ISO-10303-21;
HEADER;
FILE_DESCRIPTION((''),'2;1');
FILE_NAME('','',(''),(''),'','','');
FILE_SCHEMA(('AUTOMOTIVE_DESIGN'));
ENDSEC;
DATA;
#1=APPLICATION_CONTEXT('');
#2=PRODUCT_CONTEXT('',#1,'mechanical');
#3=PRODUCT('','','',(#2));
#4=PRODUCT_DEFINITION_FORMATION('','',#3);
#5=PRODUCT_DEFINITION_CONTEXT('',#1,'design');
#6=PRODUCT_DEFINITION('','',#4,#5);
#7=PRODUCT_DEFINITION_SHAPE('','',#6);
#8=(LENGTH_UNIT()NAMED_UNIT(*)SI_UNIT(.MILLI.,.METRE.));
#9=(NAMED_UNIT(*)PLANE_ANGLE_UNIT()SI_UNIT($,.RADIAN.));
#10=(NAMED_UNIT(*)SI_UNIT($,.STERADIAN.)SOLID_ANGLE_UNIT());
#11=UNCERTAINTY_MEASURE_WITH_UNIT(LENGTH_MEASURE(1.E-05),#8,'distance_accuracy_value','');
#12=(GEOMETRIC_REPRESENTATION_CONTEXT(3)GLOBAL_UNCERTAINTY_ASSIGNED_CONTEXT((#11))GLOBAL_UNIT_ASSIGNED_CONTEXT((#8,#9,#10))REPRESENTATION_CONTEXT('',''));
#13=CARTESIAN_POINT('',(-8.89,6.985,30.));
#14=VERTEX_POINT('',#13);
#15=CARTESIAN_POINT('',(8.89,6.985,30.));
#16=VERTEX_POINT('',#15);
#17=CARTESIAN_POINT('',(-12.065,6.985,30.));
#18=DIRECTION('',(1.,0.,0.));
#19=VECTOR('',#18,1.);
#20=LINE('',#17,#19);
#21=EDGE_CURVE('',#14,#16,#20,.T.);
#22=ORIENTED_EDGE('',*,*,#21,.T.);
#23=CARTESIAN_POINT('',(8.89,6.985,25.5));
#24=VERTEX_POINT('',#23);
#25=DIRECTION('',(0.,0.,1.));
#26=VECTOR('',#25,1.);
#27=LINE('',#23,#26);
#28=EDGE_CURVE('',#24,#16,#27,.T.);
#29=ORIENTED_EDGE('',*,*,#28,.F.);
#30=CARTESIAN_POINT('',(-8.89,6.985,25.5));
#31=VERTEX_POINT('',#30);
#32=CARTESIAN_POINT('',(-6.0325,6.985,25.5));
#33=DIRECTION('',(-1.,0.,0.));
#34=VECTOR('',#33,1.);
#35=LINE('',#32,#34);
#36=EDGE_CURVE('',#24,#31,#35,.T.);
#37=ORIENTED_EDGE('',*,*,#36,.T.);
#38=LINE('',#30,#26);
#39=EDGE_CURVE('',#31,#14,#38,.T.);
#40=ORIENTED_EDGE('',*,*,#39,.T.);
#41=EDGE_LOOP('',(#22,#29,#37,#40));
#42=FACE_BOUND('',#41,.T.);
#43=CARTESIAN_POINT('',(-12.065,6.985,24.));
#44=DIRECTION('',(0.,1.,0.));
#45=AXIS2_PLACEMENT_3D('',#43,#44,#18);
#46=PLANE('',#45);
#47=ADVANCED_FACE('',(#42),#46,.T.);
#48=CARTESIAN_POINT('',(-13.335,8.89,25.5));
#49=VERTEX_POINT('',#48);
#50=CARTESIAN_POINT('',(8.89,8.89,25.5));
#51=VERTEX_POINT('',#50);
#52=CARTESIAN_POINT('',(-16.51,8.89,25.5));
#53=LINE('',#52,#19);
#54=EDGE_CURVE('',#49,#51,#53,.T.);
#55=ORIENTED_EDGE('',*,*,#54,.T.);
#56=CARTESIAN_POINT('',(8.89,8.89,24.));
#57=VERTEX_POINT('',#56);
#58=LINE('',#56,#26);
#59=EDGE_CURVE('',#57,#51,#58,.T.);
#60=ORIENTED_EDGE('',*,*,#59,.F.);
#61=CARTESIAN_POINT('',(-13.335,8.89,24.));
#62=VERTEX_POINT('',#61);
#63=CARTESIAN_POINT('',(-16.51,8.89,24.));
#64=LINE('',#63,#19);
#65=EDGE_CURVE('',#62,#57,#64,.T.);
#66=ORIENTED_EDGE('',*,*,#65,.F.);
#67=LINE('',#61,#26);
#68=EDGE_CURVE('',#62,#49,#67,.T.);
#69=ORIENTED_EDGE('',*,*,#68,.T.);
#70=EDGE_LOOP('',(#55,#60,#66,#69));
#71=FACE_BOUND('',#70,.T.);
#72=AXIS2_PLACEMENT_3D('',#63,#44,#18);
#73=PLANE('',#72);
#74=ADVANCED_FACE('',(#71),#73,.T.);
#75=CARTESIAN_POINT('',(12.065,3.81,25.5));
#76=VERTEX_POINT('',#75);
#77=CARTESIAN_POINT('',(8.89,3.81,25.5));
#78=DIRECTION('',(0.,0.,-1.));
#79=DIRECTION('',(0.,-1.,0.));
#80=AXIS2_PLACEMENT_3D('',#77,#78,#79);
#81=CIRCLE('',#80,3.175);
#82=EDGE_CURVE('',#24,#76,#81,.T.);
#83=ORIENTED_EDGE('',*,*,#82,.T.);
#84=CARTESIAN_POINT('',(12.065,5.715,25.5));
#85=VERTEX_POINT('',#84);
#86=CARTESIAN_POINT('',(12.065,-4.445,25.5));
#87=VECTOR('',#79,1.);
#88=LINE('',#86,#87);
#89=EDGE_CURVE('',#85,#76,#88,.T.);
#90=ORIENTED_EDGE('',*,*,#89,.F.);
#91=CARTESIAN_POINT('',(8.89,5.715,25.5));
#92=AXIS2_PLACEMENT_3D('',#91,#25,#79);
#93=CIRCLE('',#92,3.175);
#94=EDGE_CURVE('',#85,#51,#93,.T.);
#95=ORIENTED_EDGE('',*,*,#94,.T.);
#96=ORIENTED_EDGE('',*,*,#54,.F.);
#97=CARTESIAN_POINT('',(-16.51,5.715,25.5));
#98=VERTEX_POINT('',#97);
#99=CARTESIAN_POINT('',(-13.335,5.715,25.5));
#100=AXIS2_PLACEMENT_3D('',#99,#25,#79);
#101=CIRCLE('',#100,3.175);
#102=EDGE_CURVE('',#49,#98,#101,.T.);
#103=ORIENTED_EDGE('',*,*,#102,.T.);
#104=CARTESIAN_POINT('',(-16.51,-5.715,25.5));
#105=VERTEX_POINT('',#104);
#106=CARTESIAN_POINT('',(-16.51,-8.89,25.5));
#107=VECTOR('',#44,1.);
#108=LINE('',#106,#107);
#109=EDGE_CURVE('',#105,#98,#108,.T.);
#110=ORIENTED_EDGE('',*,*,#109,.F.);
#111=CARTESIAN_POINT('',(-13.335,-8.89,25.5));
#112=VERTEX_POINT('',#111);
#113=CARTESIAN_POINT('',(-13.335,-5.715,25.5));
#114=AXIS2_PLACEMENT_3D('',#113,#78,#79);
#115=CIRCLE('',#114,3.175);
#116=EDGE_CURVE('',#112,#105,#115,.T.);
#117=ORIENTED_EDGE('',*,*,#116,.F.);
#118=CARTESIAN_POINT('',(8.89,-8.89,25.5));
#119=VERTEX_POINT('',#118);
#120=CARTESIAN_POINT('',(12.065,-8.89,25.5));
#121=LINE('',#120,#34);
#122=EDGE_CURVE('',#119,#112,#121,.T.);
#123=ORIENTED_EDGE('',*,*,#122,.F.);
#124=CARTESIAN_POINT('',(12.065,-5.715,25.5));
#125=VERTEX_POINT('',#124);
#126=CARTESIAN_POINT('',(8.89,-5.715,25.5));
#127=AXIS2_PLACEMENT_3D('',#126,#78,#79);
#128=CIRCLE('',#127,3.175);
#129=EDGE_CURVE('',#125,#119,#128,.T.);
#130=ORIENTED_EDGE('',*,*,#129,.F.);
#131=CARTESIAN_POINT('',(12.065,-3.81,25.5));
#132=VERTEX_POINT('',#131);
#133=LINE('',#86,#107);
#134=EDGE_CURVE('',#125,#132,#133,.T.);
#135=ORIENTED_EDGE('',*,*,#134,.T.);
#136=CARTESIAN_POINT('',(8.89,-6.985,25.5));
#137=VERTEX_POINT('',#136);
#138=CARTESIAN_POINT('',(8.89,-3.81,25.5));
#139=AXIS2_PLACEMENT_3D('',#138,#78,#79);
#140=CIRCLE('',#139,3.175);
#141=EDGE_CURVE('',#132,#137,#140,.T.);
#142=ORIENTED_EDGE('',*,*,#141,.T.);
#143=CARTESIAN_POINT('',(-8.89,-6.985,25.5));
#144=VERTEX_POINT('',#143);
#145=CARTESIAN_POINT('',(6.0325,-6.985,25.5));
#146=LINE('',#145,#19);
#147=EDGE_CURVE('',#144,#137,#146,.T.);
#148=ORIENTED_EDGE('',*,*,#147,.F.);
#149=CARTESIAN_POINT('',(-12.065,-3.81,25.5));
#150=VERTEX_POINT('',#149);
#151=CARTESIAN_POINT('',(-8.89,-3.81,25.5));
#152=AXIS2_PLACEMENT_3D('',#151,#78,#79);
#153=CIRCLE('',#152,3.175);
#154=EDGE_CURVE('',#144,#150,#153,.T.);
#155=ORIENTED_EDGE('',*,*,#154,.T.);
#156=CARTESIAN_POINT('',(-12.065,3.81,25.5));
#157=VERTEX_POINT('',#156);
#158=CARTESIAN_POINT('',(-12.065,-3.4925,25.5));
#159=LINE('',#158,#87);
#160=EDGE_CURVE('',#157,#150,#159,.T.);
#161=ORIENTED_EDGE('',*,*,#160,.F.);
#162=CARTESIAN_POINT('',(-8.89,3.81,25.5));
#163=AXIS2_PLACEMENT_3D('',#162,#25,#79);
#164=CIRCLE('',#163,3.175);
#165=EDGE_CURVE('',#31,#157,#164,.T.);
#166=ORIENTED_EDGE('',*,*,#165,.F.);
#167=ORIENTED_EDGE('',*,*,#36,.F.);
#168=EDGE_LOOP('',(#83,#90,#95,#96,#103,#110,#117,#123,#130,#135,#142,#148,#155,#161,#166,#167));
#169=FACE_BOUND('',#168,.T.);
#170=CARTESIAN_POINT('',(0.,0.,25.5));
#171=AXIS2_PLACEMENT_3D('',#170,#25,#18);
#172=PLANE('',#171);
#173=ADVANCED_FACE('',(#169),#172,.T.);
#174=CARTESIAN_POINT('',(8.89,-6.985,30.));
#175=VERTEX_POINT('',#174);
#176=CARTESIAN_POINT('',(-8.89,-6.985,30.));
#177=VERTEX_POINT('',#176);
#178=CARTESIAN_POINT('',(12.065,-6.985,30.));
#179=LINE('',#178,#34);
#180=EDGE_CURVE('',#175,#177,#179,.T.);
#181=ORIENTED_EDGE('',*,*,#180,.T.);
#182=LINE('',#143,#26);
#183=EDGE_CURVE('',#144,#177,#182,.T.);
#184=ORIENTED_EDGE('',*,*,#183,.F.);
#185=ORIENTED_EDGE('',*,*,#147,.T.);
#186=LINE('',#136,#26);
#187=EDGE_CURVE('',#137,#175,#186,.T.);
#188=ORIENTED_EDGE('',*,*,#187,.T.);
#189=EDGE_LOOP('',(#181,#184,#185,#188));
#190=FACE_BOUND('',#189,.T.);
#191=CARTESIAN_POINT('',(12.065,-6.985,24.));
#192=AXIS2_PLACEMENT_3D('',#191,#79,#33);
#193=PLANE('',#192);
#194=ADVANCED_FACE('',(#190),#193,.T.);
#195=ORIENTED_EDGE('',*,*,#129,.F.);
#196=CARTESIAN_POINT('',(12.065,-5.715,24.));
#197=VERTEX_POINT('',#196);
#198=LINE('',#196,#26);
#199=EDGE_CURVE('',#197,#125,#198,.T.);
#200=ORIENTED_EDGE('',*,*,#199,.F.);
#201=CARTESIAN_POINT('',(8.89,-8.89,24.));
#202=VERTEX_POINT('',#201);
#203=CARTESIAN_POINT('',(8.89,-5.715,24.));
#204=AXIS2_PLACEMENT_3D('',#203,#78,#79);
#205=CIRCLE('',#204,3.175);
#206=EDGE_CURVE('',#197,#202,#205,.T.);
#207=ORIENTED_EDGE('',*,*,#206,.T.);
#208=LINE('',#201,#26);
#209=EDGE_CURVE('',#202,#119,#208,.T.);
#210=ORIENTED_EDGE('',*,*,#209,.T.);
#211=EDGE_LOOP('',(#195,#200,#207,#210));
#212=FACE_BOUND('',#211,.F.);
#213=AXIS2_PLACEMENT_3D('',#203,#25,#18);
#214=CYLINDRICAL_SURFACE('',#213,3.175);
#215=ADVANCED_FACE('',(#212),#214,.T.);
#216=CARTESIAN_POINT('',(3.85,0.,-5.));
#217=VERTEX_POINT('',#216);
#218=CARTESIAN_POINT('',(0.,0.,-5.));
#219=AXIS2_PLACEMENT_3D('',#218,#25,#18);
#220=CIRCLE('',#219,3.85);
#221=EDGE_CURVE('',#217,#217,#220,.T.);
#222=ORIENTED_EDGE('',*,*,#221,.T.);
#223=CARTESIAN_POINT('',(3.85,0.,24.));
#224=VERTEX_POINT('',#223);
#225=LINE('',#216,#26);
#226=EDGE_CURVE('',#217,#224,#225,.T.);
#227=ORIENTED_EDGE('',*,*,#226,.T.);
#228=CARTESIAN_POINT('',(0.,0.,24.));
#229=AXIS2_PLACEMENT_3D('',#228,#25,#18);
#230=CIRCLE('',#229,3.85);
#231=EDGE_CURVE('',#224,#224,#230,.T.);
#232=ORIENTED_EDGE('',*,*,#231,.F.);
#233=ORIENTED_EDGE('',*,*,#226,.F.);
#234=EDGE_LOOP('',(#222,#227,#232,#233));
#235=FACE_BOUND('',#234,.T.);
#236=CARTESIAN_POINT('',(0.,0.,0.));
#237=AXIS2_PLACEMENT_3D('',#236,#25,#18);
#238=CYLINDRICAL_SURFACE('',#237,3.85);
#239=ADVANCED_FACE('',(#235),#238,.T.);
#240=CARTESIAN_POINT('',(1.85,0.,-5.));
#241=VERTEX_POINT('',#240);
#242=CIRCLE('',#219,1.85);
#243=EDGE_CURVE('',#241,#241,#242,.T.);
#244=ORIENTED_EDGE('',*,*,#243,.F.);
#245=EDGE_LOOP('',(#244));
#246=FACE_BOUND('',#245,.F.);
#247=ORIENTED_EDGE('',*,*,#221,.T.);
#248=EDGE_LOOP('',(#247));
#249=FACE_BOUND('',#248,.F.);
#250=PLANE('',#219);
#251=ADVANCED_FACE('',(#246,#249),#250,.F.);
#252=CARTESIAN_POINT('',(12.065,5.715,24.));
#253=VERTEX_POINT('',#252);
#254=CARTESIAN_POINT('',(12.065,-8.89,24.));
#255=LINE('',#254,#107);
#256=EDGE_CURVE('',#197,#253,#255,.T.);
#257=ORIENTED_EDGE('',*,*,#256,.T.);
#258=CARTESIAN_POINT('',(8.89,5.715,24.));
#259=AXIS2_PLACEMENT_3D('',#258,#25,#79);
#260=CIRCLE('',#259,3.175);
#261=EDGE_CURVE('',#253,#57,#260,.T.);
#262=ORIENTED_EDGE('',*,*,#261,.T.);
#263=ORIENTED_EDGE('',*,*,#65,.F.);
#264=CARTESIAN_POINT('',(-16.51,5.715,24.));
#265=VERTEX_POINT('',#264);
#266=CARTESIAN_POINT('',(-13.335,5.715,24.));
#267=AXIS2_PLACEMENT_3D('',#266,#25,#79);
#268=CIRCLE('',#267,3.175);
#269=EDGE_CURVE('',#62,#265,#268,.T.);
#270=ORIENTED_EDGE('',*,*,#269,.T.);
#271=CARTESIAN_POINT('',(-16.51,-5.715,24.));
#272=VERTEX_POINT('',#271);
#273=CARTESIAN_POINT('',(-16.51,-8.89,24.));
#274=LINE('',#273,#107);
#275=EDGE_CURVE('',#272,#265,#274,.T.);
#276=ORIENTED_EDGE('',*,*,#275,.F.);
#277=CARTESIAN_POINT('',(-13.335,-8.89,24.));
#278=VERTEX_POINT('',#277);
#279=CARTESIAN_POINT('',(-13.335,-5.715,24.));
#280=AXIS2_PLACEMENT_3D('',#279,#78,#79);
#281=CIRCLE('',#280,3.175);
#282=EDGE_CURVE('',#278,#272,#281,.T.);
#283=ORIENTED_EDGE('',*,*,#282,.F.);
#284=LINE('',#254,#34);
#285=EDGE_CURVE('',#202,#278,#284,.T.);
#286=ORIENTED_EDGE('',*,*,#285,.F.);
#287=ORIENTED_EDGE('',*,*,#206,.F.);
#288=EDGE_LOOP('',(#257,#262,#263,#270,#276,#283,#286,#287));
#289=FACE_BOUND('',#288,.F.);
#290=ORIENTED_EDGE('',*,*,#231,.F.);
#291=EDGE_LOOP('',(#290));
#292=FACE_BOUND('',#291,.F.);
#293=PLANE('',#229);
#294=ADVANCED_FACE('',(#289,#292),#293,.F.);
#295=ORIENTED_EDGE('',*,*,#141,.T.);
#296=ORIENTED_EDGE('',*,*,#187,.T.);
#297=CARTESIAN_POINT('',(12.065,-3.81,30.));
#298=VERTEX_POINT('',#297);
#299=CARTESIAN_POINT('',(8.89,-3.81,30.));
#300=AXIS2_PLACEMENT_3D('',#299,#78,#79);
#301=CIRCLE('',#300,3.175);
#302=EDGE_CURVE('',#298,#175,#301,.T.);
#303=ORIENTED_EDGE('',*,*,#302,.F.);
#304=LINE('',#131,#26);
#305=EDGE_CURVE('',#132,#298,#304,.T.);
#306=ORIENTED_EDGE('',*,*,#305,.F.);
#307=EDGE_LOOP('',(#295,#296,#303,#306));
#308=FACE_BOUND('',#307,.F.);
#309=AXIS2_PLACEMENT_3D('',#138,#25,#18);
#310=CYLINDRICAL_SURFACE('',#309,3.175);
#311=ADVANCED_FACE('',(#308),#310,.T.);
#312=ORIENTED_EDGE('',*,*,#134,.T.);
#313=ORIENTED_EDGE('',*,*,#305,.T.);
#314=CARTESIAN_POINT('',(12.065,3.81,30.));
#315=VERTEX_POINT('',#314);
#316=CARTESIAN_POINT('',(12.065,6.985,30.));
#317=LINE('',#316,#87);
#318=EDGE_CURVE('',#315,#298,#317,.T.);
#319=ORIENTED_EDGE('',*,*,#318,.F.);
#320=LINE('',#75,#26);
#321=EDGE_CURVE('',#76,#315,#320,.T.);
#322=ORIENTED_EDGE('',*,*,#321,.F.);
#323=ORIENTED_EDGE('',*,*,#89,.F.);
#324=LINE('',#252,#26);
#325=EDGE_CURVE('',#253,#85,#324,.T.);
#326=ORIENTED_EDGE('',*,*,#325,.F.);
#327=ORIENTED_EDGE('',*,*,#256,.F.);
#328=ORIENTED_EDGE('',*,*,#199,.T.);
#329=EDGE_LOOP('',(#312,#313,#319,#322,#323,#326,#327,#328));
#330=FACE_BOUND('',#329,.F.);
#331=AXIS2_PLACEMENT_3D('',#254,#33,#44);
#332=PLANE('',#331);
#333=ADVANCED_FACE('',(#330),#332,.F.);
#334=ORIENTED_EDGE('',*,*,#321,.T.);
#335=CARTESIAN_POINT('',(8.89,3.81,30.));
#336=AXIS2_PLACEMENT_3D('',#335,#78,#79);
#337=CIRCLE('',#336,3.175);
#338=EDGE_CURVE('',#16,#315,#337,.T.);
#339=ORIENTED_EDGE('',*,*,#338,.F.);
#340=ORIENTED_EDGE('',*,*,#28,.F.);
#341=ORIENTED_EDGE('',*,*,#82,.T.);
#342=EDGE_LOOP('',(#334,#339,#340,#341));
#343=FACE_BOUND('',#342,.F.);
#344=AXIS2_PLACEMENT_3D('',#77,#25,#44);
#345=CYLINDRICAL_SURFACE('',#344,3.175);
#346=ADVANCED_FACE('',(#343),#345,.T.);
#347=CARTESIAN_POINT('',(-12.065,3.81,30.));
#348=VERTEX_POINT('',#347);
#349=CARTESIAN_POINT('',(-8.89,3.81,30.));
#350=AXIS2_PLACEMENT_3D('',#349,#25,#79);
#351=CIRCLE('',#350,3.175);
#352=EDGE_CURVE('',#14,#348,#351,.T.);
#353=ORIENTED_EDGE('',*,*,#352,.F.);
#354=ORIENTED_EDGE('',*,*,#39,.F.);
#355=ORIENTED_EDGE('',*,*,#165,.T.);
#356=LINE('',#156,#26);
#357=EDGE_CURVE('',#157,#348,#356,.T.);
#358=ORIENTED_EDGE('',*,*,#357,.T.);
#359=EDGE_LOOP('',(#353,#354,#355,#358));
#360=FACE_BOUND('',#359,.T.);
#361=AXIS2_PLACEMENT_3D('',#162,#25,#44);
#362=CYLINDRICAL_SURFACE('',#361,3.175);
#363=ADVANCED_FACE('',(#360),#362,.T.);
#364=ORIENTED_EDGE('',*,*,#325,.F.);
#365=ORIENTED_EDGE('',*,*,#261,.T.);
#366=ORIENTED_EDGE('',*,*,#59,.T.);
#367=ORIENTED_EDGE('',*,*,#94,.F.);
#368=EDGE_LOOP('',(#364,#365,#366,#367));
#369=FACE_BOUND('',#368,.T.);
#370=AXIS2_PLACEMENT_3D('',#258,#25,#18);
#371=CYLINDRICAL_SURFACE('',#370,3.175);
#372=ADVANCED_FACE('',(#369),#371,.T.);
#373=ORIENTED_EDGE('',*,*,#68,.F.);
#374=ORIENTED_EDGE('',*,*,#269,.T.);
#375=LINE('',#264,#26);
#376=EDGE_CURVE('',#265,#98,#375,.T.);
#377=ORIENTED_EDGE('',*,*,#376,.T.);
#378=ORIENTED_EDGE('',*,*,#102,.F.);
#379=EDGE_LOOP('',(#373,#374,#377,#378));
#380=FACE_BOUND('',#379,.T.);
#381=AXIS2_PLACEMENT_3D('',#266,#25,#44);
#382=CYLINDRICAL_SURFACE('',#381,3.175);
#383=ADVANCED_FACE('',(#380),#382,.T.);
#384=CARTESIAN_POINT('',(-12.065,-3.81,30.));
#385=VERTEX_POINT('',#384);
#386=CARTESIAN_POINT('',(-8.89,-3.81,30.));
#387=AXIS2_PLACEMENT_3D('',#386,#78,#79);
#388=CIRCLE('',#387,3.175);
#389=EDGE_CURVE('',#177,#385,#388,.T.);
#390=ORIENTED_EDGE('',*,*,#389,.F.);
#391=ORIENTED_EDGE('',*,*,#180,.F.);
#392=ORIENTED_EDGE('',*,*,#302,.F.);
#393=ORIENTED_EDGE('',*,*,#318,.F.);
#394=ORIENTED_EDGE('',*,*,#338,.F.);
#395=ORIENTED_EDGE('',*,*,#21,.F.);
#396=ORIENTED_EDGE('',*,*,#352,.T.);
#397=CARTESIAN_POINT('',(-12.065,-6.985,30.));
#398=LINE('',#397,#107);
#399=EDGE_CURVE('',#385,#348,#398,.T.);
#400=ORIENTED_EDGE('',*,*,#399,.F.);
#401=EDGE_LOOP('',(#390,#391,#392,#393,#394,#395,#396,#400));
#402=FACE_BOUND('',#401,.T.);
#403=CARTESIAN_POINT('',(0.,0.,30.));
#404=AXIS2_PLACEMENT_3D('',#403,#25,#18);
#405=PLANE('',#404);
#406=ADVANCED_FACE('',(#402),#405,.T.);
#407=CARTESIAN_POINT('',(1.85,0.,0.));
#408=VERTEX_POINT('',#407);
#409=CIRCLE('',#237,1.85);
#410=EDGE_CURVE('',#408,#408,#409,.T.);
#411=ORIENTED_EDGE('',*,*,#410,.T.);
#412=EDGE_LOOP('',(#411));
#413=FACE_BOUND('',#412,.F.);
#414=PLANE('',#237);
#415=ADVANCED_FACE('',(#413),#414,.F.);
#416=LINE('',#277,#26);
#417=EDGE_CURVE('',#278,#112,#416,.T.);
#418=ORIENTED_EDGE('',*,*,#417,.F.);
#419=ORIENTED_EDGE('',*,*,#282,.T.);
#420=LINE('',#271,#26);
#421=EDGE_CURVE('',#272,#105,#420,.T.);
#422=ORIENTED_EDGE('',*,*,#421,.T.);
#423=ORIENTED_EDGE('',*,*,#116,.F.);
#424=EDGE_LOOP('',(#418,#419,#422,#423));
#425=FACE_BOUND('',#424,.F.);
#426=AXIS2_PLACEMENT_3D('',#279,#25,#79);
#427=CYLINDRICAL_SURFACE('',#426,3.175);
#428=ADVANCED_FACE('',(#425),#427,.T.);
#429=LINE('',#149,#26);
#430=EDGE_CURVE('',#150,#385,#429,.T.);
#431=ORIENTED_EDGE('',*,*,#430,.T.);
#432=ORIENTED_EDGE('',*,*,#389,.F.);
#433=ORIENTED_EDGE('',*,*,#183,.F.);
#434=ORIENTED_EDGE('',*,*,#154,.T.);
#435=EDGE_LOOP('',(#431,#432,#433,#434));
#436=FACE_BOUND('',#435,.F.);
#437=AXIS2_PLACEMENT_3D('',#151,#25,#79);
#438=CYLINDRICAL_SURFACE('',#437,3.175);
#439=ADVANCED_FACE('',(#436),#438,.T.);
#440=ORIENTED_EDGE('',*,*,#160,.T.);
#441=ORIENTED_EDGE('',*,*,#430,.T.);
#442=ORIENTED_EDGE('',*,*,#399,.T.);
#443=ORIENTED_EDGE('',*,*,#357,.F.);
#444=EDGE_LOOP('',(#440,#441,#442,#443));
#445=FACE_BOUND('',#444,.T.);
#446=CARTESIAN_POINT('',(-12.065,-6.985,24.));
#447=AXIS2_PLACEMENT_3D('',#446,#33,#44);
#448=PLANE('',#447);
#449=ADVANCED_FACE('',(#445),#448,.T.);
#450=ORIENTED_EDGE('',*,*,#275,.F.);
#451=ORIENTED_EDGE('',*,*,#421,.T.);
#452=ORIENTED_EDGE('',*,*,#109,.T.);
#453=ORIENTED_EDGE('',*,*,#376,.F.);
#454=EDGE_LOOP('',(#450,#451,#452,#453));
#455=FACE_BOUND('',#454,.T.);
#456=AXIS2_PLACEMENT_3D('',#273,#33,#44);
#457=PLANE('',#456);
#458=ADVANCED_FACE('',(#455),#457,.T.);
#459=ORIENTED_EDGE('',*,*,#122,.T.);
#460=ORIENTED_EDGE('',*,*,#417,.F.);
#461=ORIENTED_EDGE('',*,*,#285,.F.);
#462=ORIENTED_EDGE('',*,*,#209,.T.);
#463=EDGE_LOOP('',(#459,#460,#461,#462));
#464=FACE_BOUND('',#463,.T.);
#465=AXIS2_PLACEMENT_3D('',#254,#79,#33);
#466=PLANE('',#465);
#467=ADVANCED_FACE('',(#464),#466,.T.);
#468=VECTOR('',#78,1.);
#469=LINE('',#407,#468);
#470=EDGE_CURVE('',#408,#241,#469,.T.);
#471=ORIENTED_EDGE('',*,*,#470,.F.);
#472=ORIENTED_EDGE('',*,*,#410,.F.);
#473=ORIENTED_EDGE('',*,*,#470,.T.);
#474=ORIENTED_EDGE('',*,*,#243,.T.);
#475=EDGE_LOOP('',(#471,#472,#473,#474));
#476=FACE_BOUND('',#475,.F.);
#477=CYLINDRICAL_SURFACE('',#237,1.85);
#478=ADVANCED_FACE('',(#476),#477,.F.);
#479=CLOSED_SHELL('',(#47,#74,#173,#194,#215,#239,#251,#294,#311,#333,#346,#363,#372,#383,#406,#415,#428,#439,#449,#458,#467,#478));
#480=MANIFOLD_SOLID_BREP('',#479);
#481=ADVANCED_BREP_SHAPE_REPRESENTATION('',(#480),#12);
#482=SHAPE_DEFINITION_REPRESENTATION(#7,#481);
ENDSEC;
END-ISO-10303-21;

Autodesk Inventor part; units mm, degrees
ref_plane "YZ Plane" through (0, 0, 0) normal (1, 0, 0) x (0, 1, 0)
ref_plane "XZ Plane" through (0, 0, 0) normal (0, 1, 0) x (-1, 0, 0)
ref_plane "XY Plane" through (0, 0, 0) normal (0, 0, 1) x (1, 0, 0)
sketch "Sketch1" plane through (0, 0, 0) normal (0, 0, 1) x (1, 0, 0)
  circle A0 centre (0, 0) radius 1.75 projected
  circle A1 centre (0, 0) radius 1.85
  circle A2 centre (0, 0) radius 3.85
  point P0 (0, 0)
  dimension "d0" = 0.1
  dimension "d1" = 2
extrude "Extrusion1" add sketch "Sketch1" against normal blind 5 contours A2
sketch "Sketch2" plane through (0, 0, 0) normal (0, 0, 1) x (1, 0, 0)
  point P0 (0, 0)
sketch "Sketch3" plane through (0, 0, 0) normal (0, 0, 1) x (1, 0, 0)
  circle A0 centre (0, 0) radius 3.85
extrude "Extrusion2" add sketch "Sketch3" along normal blind 24
sketch "Sketch4" plane through (0, 0, 24) normal (0, 0, 1) x (1, 0, 0)
  line L0 (12.065, -6.985) -> (-12.065, -6.985)
  line L1 (-12.065, -6.985) -> (-12.065, 6.985)
  line L2 (-12.065, 6.985) -> (12.065, 6.985)
  line L3 (12.065, 6.985) -> (12.065, -6.985)
  circle A0 centre (0, 0) radius 1.85 projected
  line L4 (12.065, -6.985) -> (-12.065, 6.985) construction
  line L5 (-12.065, -6.985) -> (12.065, 6.985) construction
  line L6 (12.065, 12.065) -> (-12.065, 12.065) construction
  line L7 (-12.065, 12.065) -> (-12.065, 26.035) construction
  line L8 (-12.065, 26.035) -> (12.065, 26.035) construction
  line L9 (12.065, 26.035) -> (12.065, 12.065) construction
  line L10 (12.065, 12.065) -> (-12.065, 26.035) construction
  line L11 (-12.065, 12.065) -> (12.065, 26.035) construction
  line L12 (12.065, -8.89) -> (-16.51, -8.89)
  line L13 (-16.51, -8.89) -> (-16.51, 8.89)
  line L14 (-16.51, 8.89) -> (12.065, 8.89)
  line L15 (16.51, -8.89) -> (-16.51, 8.89) construction
  line L16 (-16.51, -8.89) -> (12.065, 6.4965) construction
  line L17 (12.065, -8.89) -> (12.065, 8.89)
  point P0 (0, 0)
  point P1 (0, 19.05)
  dimension "d6" = 24.13
  dimension "d7" = 13.97
  dimension "d10" = 19.05
  dimension "d16" = 17.78
extrude "Extrusion3" add sketch "Sketch4" along normal blind 1.5 contours L17 L12 L13 L14 L2 L1 L0 | L0 L1 L2 L3 | A0
extrude "Extrusion4" add sketch "Sketch4" along normal blind 6 contours L0 L1 L2 L3 | A0
fillet "Fillet1" radius 3.175 8 edges at (-12.065, 6.985, 27.75) (12.065, 6.985, 27.75) (12.065, -6.985, 27.75) (-12.065, -6.985, 27.75) (-16.51, -8.89, 24.75) (12.065, 8.89, 24.75) (-16.51, 8.89, 24.75) (12.065, -8.89, 24.75)
properties part number "Button Cover"
